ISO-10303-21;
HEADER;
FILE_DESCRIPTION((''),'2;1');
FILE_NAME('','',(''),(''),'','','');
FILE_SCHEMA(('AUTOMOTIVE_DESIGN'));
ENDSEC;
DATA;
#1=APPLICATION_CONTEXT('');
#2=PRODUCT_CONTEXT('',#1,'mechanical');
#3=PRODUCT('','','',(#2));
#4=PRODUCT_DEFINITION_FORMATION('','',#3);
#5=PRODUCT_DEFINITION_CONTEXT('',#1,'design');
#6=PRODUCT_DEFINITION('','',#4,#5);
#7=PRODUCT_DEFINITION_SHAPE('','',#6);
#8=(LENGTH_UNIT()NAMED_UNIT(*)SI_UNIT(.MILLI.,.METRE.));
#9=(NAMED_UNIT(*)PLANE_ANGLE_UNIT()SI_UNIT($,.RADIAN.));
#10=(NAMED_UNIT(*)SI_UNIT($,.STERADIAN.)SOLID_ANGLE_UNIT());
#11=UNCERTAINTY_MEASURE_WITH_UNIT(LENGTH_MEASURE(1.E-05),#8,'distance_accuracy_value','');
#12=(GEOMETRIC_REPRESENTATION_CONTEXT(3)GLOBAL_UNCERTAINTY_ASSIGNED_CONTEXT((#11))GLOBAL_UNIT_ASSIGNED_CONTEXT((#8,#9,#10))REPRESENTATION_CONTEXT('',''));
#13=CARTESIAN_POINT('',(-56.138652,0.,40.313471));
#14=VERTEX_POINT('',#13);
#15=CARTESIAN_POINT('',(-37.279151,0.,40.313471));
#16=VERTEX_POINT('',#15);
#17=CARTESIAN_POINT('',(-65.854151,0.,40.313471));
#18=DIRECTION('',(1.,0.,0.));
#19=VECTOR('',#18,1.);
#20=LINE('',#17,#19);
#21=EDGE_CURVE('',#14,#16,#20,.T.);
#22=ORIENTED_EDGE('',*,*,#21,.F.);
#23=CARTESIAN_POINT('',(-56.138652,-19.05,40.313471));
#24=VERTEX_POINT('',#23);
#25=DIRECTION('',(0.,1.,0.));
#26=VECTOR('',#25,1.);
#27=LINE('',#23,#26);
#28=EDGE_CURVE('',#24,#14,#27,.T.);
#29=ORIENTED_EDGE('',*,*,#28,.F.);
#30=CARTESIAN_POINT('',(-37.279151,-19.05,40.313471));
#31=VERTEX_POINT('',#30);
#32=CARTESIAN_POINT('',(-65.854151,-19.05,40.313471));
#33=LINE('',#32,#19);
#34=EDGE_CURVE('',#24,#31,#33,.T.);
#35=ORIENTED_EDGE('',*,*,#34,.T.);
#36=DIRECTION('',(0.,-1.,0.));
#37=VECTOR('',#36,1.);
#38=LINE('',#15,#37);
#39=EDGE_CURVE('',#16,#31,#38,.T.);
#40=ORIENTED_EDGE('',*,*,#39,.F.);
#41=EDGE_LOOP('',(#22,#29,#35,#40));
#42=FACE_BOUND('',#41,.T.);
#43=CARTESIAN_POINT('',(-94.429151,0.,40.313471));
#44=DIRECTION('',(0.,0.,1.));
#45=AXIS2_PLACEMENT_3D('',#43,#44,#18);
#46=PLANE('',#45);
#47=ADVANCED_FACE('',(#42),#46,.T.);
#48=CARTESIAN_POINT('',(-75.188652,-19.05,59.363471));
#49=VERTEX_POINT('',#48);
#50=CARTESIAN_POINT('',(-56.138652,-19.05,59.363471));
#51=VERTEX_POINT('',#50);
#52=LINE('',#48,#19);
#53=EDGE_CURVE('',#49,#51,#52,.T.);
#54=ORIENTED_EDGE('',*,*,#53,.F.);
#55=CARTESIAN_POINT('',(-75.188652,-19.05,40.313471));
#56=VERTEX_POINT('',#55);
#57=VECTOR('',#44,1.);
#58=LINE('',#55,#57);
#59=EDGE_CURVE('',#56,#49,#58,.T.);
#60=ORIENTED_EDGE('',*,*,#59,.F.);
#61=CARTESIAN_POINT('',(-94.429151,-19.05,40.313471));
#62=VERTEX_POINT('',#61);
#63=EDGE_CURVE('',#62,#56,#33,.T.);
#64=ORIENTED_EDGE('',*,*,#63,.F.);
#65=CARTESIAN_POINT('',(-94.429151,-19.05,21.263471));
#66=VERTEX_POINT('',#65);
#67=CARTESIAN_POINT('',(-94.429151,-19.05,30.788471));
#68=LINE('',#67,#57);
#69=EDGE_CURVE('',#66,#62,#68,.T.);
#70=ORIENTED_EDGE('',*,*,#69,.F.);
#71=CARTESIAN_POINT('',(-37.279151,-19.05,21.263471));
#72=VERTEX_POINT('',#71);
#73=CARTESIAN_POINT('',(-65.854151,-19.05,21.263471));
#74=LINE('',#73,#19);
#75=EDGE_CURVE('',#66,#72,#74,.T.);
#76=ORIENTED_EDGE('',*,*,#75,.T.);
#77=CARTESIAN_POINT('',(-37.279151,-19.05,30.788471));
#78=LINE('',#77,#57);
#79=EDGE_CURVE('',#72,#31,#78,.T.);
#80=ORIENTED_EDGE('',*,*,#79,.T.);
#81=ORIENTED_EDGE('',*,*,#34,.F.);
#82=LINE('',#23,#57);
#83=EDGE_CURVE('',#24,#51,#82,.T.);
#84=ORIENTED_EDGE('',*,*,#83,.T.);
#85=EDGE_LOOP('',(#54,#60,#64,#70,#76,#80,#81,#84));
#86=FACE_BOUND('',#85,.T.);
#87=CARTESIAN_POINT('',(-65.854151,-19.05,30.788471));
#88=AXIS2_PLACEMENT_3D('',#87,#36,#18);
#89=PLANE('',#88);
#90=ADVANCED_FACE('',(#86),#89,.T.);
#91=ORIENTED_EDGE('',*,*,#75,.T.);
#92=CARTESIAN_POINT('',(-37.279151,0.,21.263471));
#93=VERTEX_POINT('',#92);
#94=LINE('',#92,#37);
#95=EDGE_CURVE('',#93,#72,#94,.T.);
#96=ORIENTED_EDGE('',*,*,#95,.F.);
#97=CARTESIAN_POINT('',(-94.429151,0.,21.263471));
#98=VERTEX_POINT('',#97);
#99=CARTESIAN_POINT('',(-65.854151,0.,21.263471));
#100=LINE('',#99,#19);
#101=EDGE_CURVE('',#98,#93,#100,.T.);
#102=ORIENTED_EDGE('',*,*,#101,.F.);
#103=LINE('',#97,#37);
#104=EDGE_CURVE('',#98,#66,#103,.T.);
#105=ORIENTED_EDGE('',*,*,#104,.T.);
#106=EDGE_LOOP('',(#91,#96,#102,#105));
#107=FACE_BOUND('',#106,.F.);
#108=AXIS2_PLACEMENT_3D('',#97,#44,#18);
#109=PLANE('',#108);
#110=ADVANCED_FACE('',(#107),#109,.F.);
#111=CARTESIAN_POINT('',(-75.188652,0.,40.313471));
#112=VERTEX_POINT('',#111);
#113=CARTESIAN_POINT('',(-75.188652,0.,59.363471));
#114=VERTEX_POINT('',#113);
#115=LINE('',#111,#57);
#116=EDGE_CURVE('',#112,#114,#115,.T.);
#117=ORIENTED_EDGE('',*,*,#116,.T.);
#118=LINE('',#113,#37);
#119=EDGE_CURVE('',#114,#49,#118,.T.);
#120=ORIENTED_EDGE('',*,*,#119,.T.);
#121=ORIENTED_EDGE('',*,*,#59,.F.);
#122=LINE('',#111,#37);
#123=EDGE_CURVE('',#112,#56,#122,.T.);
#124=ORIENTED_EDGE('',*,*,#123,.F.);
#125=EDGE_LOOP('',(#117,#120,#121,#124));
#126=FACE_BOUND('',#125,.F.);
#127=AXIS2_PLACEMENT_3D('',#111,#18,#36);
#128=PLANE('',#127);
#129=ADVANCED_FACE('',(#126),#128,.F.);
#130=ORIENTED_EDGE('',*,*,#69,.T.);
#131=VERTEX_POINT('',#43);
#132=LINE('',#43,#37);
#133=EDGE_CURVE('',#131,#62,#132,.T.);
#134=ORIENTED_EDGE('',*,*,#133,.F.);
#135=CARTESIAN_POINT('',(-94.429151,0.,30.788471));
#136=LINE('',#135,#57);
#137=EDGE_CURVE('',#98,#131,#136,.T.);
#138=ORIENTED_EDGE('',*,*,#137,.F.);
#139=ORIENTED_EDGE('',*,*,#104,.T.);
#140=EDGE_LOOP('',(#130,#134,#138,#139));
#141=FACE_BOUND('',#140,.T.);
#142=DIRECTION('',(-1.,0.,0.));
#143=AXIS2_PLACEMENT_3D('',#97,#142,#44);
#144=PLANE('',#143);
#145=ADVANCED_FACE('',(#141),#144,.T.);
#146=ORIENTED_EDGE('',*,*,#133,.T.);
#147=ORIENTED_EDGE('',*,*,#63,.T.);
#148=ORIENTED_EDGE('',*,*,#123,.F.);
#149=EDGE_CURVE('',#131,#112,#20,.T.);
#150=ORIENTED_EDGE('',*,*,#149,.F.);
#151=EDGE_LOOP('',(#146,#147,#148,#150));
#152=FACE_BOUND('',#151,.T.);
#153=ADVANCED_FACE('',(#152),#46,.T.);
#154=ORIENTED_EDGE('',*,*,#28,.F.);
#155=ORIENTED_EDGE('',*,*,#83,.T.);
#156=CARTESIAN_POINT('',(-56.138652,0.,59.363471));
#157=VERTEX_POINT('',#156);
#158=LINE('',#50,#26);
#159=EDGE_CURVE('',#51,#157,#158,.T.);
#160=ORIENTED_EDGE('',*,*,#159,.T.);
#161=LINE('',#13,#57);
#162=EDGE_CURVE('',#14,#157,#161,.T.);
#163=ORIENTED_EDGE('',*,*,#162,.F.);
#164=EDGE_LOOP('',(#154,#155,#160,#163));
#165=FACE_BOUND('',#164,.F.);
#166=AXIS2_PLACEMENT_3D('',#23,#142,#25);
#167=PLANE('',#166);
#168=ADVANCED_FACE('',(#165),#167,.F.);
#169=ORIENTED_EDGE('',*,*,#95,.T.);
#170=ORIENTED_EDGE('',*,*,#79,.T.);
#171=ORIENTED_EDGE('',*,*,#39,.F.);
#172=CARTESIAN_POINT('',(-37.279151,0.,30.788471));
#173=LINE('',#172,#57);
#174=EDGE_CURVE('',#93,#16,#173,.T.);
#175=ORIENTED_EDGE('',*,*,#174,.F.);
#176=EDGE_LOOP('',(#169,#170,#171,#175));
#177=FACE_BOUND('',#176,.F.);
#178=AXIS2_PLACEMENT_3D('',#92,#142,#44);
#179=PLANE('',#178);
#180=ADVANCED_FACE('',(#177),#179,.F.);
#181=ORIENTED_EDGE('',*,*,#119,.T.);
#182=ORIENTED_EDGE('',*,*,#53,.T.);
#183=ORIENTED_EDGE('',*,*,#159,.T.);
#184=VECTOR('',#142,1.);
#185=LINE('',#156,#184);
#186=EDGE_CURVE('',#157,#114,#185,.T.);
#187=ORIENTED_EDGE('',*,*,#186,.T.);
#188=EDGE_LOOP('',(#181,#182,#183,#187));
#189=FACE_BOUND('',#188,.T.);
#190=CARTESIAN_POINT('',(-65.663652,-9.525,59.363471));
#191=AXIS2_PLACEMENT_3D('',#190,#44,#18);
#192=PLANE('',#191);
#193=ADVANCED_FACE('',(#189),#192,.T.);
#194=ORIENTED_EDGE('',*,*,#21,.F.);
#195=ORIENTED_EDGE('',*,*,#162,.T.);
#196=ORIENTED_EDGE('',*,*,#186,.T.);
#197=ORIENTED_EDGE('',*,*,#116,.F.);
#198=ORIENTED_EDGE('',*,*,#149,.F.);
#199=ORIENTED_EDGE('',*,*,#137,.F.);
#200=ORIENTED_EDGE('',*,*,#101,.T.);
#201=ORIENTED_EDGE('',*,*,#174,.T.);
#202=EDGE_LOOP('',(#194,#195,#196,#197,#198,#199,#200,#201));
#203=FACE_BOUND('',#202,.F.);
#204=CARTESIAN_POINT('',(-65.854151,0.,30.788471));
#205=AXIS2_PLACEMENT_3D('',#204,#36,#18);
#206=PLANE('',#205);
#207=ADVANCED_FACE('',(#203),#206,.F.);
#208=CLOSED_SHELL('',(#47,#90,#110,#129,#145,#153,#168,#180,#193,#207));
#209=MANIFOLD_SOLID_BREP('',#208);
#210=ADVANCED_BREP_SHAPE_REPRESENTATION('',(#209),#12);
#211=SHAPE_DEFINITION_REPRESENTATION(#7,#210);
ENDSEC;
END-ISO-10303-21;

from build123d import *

# Parameters (mm, degrees)
F0_W     = 57.15
F0_H     = 19.05
F1_DEPTH = 19.05
F3_DEPTH = 19.05


with BuildPart() as f1:
    # F0 (on Front) → F1 (new body)
    with BuildSketch(Plane.XZ):
        with Locations((-65.854151, 30.788471)):
            Rectangle(F0_W, F0_H)
    extrude(amount=F1_DEPTH)

    # F2 (on face) → F3 (join)
    with BuildSketch(Plane.XY.offset(40.313471)):
        Polygon((-56.138652, 0), (-75.188652, 0), (-75.188652, -19.05), (-56.138652, -19.05), (-56.138652, -9.525), align=None)
    extrude(amount=F3_DEPTH)


solid = f1.part
